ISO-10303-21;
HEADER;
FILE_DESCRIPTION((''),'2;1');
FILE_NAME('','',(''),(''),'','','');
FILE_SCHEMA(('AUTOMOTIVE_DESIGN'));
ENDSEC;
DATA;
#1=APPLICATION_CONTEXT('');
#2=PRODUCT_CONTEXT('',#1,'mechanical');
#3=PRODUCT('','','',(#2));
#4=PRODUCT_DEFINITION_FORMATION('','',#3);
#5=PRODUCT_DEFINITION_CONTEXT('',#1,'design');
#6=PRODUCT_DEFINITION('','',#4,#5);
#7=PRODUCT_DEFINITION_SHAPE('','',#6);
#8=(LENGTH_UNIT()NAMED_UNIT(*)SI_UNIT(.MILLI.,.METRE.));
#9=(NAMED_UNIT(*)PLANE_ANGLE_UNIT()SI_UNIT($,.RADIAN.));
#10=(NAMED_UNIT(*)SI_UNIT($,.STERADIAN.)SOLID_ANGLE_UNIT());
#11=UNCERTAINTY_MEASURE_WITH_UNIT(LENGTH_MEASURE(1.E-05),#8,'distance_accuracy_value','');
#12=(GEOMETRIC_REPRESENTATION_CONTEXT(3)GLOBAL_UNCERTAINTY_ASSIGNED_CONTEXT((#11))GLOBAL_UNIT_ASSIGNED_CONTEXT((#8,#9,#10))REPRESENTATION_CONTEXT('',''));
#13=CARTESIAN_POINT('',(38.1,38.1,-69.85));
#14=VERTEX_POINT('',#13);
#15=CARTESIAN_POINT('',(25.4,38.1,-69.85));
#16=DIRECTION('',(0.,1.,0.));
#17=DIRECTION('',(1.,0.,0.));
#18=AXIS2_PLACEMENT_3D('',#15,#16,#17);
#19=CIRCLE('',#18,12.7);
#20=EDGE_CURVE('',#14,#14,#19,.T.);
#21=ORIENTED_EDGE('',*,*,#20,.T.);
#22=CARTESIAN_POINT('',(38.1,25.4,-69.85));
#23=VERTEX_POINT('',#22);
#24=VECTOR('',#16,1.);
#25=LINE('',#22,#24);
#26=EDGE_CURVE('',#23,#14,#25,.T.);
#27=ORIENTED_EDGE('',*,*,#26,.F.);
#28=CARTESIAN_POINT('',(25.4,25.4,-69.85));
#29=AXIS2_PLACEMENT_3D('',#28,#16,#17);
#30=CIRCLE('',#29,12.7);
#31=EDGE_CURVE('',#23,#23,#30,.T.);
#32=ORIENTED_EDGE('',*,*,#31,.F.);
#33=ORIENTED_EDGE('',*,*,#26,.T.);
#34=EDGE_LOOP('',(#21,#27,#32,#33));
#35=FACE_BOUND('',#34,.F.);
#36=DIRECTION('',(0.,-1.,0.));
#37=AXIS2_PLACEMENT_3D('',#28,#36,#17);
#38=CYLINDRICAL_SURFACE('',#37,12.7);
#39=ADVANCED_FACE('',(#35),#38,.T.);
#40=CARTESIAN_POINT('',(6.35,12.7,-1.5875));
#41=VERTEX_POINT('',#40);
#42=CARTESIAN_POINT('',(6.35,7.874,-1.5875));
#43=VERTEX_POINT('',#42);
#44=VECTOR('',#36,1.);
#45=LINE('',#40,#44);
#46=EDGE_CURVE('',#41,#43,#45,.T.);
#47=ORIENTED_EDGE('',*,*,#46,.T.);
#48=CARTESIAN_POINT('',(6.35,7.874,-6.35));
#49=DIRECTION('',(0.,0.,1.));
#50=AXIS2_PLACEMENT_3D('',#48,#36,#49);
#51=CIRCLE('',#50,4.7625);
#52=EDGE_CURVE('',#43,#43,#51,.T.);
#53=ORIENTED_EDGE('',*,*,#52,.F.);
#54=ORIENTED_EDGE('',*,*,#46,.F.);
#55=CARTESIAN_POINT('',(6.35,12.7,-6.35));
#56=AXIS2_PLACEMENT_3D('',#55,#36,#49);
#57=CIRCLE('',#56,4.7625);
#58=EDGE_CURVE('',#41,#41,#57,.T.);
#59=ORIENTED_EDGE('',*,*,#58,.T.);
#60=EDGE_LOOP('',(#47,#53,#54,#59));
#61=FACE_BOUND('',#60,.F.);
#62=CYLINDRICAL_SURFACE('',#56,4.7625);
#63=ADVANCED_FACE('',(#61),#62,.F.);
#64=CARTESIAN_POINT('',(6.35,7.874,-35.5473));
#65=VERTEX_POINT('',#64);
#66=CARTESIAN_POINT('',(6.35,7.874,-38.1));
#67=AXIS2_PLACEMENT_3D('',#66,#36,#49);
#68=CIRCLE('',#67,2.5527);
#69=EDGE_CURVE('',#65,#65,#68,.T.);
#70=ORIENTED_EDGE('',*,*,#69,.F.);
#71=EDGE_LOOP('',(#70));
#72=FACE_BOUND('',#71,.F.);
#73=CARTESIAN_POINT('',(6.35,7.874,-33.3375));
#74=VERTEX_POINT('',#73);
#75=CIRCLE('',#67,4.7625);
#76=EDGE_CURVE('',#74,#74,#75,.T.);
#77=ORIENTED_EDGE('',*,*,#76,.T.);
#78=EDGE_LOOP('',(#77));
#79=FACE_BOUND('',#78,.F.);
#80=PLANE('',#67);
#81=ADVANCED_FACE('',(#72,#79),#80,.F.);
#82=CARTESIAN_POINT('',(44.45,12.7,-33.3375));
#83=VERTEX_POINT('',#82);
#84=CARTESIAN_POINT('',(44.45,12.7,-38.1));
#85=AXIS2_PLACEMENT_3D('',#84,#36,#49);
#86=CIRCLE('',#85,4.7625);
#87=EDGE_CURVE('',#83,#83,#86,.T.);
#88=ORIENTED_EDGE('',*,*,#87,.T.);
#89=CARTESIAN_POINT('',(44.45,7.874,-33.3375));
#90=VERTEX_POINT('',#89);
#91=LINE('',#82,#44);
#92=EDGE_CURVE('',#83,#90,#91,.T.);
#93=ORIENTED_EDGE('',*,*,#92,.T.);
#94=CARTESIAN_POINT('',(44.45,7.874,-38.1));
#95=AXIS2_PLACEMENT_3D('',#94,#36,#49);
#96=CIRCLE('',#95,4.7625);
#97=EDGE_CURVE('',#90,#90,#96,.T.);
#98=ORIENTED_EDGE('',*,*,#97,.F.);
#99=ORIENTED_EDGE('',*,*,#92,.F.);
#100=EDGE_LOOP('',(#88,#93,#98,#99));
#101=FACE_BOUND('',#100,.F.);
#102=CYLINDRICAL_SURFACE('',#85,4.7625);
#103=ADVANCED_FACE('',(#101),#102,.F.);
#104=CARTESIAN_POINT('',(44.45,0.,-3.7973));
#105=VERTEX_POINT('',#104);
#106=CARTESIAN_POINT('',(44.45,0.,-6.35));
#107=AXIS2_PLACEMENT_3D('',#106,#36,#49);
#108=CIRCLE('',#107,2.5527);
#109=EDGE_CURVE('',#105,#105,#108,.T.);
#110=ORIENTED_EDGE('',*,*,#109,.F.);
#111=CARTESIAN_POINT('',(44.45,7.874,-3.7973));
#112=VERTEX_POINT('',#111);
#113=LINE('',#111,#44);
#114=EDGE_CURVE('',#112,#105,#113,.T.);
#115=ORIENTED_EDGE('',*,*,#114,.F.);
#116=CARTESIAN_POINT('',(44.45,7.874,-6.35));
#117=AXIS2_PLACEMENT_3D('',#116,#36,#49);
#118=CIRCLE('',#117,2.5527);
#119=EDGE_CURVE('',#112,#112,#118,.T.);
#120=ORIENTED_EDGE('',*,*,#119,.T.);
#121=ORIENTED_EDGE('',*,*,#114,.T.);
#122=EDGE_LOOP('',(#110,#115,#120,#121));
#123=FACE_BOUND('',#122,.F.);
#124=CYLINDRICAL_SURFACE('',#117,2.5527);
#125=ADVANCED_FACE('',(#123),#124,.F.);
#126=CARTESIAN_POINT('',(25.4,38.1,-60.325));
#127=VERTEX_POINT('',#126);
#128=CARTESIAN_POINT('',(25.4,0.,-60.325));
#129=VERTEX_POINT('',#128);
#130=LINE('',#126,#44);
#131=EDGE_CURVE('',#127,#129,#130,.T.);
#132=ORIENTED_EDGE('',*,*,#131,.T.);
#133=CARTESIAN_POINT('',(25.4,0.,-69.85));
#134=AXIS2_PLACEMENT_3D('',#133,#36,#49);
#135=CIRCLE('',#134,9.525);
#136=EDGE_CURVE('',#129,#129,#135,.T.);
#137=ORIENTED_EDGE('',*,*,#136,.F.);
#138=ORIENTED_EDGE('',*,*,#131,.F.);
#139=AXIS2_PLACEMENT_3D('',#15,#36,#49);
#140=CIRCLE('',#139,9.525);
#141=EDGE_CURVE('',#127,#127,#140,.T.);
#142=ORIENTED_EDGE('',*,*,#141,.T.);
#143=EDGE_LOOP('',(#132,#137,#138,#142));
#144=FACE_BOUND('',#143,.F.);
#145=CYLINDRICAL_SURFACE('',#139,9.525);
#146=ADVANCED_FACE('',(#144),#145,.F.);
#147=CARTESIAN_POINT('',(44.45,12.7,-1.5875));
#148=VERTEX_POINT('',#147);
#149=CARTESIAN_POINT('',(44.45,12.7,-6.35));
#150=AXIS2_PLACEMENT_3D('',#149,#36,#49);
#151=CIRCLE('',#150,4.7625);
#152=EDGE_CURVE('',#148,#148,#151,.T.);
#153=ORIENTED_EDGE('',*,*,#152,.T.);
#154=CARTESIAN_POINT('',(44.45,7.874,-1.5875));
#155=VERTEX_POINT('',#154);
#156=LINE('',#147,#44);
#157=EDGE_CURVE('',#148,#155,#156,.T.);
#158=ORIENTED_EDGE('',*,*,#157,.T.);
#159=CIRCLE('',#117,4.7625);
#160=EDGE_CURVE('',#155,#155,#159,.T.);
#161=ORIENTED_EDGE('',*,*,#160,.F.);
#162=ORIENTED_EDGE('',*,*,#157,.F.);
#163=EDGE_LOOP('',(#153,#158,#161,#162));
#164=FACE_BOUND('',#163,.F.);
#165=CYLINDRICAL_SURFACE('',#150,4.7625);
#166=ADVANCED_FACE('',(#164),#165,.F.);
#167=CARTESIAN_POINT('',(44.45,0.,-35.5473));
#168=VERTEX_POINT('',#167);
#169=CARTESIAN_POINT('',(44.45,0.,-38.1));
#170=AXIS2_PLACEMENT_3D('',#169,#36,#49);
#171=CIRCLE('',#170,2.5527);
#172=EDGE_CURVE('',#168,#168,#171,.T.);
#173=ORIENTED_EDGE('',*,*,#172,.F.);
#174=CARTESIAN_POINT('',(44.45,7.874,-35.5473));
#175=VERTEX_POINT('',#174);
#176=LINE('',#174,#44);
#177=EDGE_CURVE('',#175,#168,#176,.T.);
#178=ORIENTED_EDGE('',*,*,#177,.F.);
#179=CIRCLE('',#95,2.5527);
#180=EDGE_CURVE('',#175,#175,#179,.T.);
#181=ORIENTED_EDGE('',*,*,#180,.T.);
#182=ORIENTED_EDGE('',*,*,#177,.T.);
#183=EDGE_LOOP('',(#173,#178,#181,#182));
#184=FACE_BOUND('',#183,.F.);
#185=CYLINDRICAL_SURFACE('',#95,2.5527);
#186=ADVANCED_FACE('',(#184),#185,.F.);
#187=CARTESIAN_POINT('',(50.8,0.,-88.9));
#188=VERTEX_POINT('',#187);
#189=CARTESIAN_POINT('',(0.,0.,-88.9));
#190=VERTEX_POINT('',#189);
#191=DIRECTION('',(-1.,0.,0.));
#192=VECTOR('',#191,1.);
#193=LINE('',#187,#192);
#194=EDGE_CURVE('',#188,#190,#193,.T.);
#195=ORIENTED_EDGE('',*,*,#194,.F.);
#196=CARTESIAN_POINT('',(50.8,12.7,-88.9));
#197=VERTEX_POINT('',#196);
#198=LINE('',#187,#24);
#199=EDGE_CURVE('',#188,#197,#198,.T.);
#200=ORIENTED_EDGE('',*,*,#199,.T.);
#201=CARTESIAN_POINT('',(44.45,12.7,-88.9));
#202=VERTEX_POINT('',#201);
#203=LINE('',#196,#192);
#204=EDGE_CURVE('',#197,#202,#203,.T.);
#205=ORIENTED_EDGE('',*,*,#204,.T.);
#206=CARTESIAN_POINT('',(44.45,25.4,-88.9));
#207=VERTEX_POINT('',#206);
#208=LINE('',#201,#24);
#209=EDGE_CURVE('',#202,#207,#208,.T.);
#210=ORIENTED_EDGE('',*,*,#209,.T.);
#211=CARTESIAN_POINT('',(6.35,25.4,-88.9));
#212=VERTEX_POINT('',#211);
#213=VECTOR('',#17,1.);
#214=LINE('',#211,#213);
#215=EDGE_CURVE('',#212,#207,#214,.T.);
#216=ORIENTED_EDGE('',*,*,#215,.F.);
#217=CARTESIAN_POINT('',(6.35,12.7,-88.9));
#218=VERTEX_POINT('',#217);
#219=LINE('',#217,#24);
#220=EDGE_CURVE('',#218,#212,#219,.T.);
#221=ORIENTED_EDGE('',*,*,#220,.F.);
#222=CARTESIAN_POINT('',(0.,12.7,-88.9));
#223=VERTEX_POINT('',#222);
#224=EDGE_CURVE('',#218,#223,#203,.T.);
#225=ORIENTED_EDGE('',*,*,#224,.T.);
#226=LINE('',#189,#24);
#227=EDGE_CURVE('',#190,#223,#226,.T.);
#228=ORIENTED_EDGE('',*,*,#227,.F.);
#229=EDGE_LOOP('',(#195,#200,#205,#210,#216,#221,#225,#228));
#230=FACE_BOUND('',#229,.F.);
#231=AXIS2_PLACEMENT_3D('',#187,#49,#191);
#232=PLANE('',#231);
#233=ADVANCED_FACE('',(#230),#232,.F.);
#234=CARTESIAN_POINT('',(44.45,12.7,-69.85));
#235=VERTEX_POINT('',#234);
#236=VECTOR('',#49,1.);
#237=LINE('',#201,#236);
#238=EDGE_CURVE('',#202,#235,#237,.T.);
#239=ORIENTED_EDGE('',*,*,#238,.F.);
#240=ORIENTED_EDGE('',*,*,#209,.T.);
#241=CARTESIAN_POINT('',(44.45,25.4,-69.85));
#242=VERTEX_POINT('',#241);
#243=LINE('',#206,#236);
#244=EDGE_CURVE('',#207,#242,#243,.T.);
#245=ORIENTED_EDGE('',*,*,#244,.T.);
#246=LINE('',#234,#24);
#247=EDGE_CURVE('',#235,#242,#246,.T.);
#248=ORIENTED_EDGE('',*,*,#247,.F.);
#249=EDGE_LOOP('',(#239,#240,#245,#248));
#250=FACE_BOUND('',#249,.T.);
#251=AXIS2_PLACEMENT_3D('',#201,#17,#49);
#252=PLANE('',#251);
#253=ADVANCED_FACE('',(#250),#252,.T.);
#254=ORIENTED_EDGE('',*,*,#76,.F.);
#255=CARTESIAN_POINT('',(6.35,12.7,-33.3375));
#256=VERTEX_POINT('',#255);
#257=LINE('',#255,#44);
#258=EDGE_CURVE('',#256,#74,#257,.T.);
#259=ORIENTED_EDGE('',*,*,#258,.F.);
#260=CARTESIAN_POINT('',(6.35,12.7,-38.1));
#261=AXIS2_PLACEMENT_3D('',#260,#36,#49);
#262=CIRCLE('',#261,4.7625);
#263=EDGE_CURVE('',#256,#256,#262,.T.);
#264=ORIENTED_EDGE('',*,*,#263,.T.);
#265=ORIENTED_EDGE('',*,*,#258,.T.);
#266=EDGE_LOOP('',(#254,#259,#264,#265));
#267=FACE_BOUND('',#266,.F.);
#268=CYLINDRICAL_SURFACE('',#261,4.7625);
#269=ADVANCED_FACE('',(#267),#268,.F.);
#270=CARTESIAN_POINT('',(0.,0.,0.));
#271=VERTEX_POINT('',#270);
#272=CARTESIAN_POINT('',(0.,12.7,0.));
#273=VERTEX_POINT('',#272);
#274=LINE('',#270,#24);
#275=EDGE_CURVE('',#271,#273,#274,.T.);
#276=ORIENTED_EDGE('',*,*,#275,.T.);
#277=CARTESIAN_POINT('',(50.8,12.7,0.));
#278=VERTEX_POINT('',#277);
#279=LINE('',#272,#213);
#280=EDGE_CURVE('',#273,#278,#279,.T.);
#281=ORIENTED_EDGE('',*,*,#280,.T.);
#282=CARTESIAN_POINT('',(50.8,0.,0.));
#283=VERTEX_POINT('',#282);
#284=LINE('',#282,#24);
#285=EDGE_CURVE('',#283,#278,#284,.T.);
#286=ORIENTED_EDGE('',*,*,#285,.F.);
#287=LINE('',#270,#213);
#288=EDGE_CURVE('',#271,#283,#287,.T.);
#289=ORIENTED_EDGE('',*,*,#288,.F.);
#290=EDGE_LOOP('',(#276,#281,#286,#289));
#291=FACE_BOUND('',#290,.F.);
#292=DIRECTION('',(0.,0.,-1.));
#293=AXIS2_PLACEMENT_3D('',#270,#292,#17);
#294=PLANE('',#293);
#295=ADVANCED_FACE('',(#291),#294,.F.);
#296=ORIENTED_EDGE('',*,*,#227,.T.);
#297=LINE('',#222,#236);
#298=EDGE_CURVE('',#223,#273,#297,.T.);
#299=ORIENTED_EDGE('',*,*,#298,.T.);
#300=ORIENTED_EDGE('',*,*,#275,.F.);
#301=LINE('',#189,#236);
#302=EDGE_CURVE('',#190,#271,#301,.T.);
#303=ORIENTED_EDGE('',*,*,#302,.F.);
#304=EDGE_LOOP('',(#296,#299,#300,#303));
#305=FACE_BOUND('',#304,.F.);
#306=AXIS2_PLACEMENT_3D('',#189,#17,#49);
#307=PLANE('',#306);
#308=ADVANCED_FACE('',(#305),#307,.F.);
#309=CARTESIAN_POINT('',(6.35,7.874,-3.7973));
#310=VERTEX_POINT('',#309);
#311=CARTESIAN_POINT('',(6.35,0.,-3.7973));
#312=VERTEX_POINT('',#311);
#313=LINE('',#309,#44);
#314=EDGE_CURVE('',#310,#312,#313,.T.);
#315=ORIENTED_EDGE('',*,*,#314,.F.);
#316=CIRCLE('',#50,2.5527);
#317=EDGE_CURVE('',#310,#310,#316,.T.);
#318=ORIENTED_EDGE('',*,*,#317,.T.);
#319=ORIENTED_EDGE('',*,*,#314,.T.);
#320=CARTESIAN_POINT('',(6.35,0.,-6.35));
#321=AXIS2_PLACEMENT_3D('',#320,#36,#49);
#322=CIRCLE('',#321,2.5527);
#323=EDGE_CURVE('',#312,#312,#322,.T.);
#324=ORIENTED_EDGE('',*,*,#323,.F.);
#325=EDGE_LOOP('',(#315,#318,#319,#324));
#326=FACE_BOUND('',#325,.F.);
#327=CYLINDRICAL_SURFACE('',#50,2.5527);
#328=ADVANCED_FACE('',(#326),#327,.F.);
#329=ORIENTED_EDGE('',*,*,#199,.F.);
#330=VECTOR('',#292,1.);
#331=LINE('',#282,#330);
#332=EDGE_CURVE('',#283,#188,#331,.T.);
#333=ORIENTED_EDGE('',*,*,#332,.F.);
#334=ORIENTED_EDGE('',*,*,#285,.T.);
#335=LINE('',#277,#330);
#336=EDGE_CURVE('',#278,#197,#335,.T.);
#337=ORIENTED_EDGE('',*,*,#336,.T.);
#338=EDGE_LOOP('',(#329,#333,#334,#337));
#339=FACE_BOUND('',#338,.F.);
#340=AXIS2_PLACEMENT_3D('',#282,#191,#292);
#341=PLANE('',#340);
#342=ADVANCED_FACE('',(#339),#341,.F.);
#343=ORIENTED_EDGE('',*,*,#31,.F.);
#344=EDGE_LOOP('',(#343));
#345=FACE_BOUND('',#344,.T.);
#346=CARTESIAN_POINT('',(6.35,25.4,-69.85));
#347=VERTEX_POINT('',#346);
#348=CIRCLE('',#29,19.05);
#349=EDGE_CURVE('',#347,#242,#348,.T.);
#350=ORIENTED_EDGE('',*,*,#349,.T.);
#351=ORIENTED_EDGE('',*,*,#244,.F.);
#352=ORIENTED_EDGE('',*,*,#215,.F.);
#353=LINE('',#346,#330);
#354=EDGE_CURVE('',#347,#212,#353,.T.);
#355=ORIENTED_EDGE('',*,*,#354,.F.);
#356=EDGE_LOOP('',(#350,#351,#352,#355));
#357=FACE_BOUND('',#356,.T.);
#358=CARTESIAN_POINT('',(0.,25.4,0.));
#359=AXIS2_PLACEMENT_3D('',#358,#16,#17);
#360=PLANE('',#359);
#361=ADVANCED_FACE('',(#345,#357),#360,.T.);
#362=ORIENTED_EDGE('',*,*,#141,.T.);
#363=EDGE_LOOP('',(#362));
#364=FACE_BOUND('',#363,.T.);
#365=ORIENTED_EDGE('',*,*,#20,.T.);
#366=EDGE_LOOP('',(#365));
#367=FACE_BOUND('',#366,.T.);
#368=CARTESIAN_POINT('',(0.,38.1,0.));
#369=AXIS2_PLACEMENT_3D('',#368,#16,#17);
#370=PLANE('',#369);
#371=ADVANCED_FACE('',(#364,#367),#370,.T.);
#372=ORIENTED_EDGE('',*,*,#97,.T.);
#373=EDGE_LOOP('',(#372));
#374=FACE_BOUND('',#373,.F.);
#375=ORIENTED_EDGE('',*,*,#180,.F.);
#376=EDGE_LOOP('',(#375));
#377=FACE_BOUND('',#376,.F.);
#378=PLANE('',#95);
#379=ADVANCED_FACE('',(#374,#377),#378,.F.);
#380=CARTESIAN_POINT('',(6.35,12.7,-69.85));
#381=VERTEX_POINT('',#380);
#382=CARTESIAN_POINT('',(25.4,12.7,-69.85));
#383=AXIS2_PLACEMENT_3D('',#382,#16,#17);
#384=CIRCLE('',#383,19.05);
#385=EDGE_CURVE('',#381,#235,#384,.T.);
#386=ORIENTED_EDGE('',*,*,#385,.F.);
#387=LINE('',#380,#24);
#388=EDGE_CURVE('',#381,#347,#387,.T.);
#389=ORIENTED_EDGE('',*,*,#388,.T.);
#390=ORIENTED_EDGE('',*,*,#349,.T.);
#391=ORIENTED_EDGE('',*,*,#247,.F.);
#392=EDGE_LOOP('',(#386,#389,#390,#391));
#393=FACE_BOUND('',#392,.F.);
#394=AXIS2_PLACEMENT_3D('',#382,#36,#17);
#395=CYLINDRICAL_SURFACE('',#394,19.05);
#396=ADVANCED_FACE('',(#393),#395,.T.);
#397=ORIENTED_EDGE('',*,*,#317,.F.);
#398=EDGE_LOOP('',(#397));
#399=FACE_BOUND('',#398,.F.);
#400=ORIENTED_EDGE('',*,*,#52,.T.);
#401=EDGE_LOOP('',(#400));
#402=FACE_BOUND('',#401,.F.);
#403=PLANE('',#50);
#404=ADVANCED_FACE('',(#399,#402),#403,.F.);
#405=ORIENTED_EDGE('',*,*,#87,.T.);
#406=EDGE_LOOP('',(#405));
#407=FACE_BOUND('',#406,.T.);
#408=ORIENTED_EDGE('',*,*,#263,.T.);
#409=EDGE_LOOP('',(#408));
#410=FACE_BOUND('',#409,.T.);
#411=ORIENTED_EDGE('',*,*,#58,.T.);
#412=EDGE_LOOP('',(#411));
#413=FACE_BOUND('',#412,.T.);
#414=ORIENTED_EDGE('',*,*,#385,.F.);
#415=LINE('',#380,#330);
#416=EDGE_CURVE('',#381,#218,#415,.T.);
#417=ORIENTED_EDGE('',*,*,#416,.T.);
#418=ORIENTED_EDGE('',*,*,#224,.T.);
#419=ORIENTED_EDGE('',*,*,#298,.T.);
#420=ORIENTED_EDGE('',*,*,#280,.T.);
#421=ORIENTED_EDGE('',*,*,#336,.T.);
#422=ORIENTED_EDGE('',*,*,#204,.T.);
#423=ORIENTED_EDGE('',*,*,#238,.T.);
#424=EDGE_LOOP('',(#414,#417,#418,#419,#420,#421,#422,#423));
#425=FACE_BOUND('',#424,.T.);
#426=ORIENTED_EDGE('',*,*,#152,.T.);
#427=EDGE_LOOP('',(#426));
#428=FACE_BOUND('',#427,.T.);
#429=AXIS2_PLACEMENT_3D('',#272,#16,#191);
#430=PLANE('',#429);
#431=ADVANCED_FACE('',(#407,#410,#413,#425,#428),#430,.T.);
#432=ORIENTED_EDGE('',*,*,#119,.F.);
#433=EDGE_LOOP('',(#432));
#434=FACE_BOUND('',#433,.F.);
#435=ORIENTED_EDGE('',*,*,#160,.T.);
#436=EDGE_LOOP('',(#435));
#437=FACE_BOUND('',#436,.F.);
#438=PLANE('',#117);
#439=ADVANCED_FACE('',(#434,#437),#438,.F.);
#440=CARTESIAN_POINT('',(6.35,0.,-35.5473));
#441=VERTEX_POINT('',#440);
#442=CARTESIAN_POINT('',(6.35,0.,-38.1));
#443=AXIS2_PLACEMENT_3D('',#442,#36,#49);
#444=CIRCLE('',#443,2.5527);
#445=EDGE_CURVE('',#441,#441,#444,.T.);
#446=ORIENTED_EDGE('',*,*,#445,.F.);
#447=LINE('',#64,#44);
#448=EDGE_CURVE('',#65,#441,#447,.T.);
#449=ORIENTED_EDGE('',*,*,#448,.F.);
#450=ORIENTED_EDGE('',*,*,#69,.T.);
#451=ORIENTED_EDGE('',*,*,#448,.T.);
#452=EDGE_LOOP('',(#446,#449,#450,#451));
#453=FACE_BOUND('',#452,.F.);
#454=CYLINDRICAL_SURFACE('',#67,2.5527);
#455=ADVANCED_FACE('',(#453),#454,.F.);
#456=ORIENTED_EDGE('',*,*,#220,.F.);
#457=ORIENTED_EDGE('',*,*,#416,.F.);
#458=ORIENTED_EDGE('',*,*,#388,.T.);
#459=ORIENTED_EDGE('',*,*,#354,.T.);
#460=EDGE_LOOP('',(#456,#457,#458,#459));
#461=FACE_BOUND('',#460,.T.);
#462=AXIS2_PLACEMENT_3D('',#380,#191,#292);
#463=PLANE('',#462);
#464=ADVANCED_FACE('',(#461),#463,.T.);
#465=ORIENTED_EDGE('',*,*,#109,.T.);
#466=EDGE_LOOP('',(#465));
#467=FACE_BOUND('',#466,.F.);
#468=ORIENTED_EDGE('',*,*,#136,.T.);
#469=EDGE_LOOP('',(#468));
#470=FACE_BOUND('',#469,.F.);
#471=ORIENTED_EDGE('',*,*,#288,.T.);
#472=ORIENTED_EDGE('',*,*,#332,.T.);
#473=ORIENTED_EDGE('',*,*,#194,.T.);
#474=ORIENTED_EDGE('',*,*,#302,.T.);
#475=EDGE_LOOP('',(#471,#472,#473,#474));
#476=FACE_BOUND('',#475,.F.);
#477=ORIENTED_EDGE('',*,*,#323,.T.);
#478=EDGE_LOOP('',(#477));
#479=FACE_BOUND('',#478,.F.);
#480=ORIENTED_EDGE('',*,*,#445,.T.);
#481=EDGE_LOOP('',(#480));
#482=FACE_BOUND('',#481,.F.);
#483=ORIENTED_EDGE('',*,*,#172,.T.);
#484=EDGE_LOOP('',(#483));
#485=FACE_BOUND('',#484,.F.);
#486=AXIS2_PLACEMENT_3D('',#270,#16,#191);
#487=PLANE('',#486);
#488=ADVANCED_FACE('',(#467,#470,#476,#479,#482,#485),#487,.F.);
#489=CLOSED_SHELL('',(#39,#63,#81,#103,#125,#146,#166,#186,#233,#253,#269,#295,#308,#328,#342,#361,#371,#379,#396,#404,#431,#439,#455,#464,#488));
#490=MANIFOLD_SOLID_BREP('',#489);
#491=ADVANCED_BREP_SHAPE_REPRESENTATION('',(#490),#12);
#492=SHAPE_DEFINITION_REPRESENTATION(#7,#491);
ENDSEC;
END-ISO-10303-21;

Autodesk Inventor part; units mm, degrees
ref_plane "YZ Plane" through (0, 0, 0) normal (1, 0, 0) x (0, 1, 0)
ref_plane "XZ Plane" through (0, 0, 0) normal (0, 1, 0) x (-1, 0, 0)
ref_plane "XY Plane" through (0, 0, 0) normal (0, 0, 1) x (1, 0, 0)
sketch "Sketch1" plane through (0, 0, 0) normal (0, 1, 0) x (-1, 0, 0)
  line L0 (0, 0) -> (-50.8, 0)
  line L1 (-50.8, 0) -> (-50.8, -88.9)
  line L2 (-50.8, -88.9) -> (0, -88.9)
  line L3 (0, -88.9) -> (0, 0)
  dimension "d0" = 50.8
  dimension "d1" = 88.9
extrude "Extrusion1" add sketch "Sketch1" along normal blind 12.7
sketch "Sketch2" plane through (0, 12.7, 0) normal (0, 1, 0) x (1, 0, 0)
  line L0 (50.8, 0) -> (50.8, 88.9) projected
  line L1 (50.8, 88.9) -> (0, 88.9) projected
  line L2 (0, 88.9) -> (0, 0) projected
  line L3 (6.35, 88.9) -> (44.45, 88.9)
  line L4 (44.45, 88.9) -> (44.45, 69.85)
  line L5 (44.45, 69.85) -> (6.35, 69.85)
  line L6 (6.35, 69.85) -> (6.35, 88.9)
  line L7 (6.35, 79.375) -> (0, 79.375) construction
  line L8 (44.45, 79.375) -> (50.8, 79.375) construction
  circle A0 centre (25.4, 69.85) radius 19.05
  dimension "d4" = 19.05
  dimension "d5" = 6.35
extrude "Extrusion2" add sketch "Sketch2" along normal blind 12.7
sketch "Sketch3" plane through (0, 25.4, 0) normal (0, 1, 0) x (1, 0, 0)
  arc A0 (6.35, 69.85) -> (44.45, 69.85) centre (25.4, 69.85) ccw projected
  circle A1 centre (25.4, 69.85) radius 12.7
  point P0 (0, 0)
  dimension "d8" = 25.4
extrude "Extrusion3" add sketch "Sketch3" along normal blind 12.7
sketch "Sketch6" plane through (0, 12.7, 0) normal (0, 1, 0) x (1, 0, 0)
  line L0 (0, 88.9) -> (0, 0) projected
  line L1 (0, 0) -> (50.8, 0) projected
  line L2 (50.8, 0) -> (50.8, 88.9) projected
  line L3 (44.45, 88.9) -> (44.45, 6.35) construction
  line L4 (44.45, 6.35) -> (6.35, 6.35) construction
  line L5 (6.35, 6.35) -> (6.35, 88.9) construction
  line L6 (6.35, 38.1) -> (44.45, 38.1) construction
  dimension "d35" = 6.35
  dimension "d36" = 31.75
hole "Hole3" at (25.4, 38.1, -69.85) direction (0, -1, 0) diameter 19.05 end through all
hole "Hole4" at (6.35, 12.7, -6.35) at (6.35, 12.7, -38.1) at (44.45, 12.7, -6.35) at (44.45, 12.7, -38.1) direction (0, -1, 0) diameter 5.1054 end through all counterbore diameter 9.525 counterbore depth 4.826 clearance for "Socket Head Cap Screw" size "#10" standard "Ansi Unified Screw Threads"
properties part number "Holes"
